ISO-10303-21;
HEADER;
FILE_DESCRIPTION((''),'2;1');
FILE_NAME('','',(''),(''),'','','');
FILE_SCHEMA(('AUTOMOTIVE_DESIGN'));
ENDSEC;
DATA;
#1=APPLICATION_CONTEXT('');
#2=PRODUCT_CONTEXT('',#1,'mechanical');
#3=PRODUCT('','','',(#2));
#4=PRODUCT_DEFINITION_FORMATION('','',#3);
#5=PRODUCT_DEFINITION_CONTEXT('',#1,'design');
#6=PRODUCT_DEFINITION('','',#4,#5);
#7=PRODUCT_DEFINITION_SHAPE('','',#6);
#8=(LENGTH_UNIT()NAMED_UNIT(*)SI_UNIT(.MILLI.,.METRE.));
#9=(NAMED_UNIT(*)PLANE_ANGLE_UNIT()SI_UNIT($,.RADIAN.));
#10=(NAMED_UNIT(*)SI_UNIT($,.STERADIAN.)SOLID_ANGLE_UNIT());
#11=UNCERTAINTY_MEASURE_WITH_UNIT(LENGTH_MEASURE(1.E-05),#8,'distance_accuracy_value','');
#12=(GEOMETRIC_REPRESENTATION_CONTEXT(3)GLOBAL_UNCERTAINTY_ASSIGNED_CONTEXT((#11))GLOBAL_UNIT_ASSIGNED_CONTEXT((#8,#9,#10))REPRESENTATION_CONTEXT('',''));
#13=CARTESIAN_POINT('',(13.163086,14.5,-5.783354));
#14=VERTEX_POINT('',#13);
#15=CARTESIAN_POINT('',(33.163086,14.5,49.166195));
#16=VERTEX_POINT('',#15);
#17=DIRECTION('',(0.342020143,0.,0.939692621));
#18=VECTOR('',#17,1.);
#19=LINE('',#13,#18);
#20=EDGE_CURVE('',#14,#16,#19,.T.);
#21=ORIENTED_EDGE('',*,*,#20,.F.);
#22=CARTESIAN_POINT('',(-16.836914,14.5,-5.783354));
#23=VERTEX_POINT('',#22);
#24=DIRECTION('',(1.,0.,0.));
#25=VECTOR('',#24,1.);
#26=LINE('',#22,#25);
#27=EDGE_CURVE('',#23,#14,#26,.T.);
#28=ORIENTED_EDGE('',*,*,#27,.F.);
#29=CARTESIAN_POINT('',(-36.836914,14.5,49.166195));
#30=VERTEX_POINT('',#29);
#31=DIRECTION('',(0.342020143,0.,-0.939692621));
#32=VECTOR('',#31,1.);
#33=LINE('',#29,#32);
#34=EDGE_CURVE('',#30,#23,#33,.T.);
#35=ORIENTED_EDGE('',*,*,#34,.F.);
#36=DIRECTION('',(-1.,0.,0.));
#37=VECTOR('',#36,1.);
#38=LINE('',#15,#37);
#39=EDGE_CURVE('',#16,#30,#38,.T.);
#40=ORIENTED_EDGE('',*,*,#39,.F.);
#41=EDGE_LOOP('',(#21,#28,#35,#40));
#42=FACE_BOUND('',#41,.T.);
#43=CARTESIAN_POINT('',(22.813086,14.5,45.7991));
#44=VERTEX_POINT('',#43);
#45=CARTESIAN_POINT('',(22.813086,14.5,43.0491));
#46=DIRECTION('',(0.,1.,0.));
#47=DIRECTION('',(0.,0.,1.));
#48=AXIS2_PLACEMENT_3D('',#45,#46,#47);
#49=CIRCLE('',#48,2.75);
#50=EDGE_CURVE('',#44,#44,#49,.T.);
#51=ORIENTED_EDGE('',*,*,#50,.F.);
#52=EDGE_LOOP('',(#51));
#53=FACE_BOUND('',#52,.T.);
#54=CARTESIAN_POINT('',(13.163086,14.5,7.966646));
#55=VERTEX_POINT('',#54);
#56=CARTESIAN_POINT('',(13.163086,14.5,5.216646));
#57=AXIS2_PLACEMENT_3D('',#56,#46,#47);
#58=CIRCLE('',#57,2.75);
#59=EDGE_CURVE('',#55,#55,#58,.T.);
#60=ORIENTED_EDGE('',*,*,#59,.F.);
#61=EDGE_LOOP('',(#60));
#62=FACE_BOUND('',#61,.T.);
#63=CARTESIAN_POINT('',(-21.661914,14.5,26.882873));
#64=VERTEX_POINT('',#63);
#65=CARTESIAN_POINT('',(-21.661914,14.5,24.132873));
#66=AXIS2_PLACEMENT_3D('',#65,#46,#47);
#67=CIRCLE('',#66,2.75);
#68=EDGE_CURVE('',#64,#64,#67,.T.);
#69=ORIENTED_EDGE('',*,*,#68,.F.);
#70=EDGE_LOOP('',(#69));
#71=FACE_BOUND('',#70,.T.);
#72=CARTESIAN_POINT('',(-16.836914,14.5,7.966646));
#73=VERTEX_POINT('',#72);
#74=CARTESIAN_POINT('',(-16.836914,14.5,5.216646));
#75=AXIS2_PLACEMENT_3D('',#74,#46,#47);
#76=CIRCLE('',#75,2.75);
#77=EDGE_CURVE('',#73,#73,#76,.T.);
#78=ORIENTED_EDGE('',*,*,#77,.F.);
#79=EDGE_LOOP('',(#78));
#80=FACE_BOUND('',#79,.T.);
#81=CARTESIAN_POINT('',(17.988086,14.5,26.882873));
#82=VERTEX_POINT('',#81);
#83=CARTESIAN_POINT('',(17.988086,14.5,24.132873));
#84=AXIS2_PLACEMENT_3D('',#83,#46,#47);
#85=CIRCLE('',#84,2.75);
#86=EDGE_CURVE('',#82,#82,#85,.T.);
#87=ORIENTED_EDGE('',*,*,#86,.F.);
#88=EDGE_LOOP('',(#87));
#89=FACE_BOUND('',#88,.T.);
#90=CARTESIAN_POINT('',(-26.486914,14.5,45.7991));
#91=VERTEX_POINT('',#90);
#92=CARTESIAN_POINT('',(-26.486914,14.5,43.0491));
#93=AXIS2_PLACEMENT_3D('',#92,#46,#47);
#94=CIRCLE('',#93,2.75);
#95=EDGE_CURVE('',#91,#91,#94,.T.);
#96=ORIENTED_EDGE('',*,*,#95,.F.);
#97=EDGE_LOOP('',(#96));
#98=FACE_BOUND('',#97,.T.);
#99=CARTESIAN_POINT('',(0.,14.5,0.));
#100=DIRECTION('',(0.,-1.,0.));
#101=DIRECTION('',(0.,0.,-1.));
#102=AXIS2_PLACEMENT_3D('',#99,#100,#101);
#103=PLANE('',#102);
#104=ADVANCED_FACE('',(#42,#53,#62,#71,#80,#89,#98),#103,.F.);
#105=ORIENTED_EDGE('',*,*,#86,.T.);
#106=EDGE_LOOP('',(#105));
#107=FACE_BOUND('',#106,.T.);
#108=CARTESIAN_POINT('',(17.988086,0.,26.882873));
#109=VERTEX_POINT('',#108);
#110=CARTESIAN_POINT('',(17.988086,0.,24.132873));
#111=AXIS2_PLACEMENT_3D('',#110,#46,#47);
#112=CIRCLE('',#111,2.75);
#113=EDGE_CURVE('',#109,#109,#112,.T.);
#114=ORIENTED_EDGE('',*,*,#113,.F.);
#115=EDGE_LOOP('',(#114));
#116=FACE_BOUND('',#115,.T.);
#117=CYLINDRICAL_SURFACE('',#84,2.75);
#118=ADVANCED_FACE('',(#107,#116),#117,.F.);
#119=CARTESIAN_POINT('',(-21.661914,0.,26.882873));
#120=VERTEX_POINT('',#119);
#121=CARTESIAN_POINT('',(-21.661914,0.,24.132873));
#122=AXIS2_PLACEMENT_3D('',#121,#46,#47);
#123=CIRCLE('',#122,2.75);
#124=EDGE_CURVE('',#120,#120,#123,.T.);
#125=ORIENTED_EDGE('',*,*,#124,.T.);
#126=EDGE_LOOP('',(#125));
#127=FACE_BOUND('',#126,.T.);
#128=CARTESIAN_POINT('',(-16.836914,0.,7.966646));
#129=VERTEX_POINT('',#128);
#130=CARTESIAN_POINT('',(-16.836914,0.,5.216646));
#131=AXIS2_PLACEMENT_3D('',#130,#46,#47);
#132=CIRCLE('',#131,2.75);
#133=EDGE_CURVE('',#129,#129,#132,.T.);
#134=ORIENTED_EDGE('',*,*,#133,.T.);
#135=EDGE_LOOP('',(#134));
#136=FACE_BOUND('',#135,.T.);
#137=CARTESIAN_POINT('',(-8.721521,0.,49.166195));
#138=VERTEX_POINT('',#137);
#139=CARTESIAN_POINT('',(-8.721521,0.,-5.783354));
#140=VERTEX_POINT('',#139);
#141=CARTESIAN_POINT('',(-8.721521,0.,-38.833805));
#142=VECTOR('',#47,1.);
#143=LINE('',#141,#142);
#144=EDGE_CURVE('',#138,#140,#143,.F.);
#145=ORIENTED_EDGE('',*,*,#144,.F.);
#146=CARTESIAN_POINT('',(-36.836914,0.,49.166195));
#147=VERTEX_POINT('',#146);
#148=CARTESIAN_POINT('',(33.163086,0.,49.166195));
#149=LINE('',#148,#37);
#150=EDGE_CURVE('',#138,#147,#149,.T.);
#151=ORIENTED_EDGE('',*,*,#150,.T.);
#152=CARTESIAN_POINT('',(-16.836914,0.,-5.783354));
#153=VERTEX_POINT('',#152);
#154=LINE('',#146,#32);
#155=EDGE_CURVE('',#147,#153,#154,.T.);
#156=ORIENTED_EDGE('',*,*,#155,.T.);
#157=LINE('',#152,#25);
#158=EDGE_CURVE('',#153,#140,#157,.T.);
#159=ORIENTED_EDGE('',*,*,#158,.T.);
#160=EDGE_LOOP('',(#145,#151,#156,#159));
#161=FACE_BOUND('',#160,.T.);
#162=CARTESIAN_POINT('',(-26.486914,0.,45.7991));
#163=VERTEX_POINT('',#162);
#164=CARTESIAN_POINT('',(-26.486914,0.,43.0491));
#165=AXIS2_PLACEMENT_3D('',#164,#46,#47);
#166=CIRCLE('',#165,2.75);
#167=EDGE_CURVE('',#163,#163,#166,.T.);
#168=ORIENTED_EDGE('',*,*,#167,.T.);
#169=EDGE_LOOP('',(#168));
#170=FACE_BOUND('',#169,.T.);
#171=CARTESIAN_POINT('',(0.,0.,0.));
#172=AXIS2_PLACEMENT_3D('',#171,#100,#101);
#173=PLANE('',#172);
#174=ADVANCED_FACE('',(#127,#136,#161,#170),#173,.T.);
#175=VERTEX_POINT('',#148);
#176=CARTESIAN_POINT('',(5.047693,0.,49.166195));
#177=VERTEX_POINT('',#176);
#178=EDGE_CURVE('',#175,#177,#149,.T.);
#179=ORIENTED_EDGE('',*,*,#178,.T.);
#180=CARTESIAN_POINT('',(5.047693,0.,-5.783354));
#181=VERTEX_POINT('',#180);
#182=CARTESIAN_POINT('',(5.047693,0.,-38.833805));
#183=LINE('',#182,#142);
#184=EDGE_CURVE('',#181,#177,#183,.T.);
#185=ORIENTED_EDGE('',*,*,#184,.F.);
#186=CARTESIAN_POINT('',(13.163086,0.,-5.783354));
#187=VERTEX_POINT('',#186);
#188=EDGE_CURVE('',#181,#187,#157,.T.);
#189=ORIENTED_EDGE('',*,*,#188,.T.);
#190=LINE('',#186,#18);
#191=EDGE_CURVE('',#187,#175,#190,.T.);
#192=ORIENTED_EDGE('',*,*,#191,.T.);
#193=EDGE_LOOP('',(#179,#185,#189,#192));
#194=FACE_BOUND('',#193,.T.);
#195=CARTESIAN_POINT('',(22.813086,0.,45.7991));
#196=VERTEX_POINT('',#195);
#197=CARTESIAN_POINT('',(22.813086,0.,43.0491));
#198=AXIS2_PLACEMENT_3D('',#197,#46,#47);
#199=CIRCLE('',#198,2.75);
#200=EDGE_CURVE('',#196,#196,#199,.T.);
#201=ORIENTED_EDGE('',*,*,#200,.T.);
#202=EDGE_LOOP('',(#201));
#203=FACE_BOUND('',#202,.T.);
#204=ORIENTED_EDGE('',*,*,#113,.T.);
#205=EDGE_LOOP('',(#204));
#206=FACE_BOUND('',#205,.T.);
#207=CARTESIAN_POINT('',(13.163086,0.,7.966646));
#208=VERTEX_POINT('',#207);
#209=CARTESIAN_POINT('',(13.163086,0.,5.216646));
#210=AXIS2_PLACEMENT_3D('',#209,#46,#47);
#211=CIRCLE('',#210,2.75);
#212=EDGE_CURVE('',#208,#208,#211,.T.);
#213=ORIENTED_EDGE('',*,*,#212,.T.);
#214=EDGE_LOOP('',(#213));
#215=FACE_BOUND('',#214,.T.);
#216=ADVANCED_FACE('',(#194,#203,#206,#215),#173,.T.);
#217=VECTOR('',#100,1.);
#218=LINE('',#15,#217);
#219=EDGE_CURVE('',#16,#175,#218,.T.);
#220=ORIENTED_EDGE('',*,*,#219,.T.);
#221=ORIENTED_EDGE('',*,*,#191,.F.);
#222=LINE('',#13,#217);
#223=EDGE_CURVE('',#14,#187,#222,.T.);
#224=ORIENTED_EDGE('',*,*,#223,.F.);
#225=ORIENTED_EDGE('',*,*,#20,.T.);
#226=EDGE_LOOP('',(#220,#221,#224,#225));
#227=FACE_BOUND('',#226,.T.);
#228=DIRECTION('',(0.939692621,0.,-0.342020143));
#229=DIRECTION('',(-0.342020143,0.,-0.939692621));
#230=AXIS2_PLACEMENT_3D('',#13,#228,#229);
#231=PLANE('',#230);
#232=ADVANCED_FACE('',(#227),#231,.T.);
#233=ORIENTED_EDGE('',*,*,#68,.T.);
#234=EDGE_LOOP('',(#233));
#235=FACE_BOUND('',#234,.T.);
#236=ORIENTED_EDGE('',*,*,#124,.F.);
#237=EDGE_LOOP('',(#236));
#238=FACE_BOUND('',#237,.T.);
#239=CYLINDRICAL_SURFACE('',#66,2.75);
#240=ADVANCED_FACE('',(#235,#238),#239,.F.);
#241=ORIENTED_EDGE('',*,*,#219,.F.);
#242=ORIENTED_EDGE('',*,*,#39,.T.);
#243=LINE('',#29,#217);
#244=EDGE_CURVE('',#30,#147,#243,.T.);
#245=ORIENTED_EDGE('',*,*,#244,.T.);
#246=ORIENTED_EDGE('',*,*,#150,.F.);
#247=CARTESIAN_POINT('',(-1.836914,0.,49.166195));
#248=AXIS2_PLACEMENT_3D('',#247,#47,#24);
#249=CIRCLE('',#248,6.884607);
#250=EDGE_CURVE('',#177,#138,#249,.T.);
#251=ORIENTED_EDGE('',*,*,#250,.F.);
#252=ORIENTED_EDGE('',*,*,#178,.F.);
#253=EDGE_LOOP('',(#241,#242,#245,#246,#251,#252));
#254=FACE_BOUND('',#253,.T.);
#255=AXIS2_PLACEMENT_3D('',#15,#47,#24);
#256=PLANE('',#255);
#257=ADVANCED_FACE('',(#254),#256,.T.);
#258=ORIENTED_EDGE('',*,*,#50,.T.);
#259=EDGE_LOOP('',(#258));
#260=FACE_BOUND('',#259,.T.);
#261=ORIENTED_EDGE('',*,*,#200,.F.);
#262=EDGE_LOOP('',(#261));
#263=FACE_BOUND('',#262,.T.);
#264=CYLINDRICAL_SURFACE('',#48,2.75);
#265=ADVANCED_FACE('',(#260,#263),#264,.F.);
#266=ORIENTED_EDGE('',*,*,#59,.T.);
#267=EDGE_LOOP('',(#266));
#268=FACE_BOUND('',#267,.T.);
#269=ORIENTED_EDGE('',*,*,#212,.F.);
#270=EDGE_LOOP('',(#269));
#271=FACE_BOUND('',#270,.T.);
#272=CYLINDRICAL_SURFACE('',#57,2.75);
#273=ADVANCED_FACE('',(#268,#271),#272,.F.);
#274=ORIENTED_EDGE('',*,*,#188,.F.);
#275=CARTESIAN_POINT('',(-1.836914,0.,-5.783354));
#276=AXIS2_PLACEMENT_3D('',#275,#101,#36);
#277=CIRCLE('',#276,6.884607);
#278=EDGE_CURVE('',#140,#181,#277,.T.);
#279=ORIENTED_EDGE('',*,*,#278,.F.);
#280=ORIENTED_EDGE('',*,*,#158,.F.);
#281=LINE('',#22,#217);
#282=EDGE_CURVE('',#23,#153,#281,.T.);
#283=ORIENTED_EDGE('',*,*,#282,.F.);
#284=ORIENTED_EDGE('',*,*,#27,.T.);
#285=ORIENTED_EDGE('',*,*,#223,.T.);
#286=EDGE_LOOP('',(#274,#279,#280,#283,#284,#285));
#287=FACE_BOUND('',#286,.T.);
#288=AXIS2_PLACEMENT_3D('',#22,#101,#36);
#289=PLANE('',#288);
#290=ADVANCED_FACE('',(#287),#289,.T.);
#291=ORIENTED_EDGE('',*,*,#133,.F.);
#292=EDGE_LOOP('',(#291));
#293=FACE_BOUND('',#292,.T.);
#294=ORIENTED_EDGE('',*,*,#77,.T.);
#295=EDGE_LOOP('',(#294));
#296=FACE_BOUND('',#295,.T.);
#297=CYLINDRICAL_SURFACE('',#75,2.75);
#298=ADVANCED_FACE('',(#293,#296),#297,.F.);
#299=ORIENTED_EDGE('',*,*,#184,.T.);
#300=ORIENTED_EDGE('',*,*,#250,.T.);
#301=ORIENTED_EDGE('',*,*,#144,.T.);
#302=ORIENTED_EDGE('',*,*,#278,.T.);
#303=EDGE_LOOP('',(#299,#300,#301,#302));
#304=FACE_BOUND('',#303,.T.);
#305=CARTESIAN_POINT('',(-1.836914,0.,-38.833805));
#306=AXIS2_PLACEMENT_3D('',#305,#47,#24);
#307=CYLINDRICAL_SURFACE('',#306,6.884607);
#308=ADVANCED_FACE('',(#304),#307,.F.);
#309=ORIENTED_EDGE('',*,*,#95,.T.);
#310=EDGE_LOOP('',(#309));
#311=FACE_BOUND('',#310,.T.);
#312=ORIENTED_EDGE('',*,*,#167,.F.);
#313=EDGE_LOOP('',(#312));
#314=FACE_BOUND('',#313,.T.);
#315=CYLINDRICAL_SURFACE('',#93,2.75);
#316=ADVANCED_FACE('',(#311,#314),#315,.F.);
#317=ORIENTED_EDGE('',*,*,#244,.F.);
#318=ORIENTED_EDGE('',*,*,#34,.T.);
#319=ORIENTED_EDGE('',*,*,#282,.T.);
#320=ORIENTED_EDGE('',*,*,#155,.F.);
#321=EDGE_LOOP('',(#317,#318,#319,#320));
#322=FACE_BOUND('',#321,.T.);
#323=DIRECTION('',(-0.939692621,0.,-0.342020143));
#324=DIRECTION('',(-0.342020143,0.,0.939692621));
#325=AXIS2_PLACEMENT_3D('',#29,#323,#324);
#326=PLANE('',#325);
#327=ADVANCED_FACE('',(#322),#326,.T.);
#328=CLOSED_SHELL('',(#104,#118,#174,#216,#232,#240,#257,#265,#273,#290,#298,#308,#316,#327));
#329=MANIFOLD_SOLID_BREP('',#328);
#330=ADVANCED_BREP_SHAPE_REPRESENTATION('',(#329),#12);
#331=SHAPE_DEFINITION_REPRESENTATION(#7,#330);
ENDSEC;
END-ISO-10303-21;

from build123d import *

# Parameters (mm, degrees)
BOSS_EXTRUDE3_DEPTH                        = 14.5
SKETCH8_R                                  = 6.884606738
CUT_EXTRUDE3_DEPTH                         = 88
F_39_0_21653543_DIAMETER_HOLE1_D           = 5.499999922
F_39_0_21653543_DIAMETER_HOLE1_ON_FACE_2_D = 5.499999922


with BuildPart() as part:
    # Sketch6 → Boss-Extrude3 (new body)
    with BuildSketch(Plane(origin=(0, 0, 0), x_dir=(1, 0, 0), z_dir=(0, 1, 0))):
        Polygon((-16.836914056, 5.783353512), (13.163085944, 5.783353512), (33.163085944, -49.166194877), (-36.836914056, -49.166194877), align=None)
    extrude(amount=BOSS_EXTRUDE3_DEPTH)

    # Sketch8 → Cut-Extrude3 (cut)
    with BuildSketch(Plane.XY.offset(49.166194877)):
        with Locations((-1.836914056, 0)):
            Circle(SKETCH8_R)
    extrude(amount=-CUT_EXTRUDE3_DEPTH, mode=Mode.SUBTRACT)

    # #39 (0.21653543) Diameter Hole1 (through all)
    with Locations(Plane(origin=(17.988085944, 14.5, 24.13287332), x_dir=(0, 0, 1), z_dir=(0, 1, 0))):
        with Locations((0, 0), (18.916226832, 4.825), (18.916226832, -44.475), (-18.916226832, -34.825), (-18.916226832, -4.825), (0, -39.65)):
            Hole(F_39_0_21653543_DIAMETER_HOLE1_D / 2)

    # #39 (0.21653543) Diameter Hole1 on face 2 (through all)
    with Locations(Plane(origin=(-16.836914056, 0, 5.216646488), x_dir=(0, 0, -1), z_dir=(0, -1, 0))):
        with Locations((0, 0), (0, 30), (-37.832453664, 39.65), (-37.832453664, -9.65)):
            Hole(F_39_0_21653543_DIAMETER_HOLE1_ON_FACE_2_D / 2)


solid = part.part
